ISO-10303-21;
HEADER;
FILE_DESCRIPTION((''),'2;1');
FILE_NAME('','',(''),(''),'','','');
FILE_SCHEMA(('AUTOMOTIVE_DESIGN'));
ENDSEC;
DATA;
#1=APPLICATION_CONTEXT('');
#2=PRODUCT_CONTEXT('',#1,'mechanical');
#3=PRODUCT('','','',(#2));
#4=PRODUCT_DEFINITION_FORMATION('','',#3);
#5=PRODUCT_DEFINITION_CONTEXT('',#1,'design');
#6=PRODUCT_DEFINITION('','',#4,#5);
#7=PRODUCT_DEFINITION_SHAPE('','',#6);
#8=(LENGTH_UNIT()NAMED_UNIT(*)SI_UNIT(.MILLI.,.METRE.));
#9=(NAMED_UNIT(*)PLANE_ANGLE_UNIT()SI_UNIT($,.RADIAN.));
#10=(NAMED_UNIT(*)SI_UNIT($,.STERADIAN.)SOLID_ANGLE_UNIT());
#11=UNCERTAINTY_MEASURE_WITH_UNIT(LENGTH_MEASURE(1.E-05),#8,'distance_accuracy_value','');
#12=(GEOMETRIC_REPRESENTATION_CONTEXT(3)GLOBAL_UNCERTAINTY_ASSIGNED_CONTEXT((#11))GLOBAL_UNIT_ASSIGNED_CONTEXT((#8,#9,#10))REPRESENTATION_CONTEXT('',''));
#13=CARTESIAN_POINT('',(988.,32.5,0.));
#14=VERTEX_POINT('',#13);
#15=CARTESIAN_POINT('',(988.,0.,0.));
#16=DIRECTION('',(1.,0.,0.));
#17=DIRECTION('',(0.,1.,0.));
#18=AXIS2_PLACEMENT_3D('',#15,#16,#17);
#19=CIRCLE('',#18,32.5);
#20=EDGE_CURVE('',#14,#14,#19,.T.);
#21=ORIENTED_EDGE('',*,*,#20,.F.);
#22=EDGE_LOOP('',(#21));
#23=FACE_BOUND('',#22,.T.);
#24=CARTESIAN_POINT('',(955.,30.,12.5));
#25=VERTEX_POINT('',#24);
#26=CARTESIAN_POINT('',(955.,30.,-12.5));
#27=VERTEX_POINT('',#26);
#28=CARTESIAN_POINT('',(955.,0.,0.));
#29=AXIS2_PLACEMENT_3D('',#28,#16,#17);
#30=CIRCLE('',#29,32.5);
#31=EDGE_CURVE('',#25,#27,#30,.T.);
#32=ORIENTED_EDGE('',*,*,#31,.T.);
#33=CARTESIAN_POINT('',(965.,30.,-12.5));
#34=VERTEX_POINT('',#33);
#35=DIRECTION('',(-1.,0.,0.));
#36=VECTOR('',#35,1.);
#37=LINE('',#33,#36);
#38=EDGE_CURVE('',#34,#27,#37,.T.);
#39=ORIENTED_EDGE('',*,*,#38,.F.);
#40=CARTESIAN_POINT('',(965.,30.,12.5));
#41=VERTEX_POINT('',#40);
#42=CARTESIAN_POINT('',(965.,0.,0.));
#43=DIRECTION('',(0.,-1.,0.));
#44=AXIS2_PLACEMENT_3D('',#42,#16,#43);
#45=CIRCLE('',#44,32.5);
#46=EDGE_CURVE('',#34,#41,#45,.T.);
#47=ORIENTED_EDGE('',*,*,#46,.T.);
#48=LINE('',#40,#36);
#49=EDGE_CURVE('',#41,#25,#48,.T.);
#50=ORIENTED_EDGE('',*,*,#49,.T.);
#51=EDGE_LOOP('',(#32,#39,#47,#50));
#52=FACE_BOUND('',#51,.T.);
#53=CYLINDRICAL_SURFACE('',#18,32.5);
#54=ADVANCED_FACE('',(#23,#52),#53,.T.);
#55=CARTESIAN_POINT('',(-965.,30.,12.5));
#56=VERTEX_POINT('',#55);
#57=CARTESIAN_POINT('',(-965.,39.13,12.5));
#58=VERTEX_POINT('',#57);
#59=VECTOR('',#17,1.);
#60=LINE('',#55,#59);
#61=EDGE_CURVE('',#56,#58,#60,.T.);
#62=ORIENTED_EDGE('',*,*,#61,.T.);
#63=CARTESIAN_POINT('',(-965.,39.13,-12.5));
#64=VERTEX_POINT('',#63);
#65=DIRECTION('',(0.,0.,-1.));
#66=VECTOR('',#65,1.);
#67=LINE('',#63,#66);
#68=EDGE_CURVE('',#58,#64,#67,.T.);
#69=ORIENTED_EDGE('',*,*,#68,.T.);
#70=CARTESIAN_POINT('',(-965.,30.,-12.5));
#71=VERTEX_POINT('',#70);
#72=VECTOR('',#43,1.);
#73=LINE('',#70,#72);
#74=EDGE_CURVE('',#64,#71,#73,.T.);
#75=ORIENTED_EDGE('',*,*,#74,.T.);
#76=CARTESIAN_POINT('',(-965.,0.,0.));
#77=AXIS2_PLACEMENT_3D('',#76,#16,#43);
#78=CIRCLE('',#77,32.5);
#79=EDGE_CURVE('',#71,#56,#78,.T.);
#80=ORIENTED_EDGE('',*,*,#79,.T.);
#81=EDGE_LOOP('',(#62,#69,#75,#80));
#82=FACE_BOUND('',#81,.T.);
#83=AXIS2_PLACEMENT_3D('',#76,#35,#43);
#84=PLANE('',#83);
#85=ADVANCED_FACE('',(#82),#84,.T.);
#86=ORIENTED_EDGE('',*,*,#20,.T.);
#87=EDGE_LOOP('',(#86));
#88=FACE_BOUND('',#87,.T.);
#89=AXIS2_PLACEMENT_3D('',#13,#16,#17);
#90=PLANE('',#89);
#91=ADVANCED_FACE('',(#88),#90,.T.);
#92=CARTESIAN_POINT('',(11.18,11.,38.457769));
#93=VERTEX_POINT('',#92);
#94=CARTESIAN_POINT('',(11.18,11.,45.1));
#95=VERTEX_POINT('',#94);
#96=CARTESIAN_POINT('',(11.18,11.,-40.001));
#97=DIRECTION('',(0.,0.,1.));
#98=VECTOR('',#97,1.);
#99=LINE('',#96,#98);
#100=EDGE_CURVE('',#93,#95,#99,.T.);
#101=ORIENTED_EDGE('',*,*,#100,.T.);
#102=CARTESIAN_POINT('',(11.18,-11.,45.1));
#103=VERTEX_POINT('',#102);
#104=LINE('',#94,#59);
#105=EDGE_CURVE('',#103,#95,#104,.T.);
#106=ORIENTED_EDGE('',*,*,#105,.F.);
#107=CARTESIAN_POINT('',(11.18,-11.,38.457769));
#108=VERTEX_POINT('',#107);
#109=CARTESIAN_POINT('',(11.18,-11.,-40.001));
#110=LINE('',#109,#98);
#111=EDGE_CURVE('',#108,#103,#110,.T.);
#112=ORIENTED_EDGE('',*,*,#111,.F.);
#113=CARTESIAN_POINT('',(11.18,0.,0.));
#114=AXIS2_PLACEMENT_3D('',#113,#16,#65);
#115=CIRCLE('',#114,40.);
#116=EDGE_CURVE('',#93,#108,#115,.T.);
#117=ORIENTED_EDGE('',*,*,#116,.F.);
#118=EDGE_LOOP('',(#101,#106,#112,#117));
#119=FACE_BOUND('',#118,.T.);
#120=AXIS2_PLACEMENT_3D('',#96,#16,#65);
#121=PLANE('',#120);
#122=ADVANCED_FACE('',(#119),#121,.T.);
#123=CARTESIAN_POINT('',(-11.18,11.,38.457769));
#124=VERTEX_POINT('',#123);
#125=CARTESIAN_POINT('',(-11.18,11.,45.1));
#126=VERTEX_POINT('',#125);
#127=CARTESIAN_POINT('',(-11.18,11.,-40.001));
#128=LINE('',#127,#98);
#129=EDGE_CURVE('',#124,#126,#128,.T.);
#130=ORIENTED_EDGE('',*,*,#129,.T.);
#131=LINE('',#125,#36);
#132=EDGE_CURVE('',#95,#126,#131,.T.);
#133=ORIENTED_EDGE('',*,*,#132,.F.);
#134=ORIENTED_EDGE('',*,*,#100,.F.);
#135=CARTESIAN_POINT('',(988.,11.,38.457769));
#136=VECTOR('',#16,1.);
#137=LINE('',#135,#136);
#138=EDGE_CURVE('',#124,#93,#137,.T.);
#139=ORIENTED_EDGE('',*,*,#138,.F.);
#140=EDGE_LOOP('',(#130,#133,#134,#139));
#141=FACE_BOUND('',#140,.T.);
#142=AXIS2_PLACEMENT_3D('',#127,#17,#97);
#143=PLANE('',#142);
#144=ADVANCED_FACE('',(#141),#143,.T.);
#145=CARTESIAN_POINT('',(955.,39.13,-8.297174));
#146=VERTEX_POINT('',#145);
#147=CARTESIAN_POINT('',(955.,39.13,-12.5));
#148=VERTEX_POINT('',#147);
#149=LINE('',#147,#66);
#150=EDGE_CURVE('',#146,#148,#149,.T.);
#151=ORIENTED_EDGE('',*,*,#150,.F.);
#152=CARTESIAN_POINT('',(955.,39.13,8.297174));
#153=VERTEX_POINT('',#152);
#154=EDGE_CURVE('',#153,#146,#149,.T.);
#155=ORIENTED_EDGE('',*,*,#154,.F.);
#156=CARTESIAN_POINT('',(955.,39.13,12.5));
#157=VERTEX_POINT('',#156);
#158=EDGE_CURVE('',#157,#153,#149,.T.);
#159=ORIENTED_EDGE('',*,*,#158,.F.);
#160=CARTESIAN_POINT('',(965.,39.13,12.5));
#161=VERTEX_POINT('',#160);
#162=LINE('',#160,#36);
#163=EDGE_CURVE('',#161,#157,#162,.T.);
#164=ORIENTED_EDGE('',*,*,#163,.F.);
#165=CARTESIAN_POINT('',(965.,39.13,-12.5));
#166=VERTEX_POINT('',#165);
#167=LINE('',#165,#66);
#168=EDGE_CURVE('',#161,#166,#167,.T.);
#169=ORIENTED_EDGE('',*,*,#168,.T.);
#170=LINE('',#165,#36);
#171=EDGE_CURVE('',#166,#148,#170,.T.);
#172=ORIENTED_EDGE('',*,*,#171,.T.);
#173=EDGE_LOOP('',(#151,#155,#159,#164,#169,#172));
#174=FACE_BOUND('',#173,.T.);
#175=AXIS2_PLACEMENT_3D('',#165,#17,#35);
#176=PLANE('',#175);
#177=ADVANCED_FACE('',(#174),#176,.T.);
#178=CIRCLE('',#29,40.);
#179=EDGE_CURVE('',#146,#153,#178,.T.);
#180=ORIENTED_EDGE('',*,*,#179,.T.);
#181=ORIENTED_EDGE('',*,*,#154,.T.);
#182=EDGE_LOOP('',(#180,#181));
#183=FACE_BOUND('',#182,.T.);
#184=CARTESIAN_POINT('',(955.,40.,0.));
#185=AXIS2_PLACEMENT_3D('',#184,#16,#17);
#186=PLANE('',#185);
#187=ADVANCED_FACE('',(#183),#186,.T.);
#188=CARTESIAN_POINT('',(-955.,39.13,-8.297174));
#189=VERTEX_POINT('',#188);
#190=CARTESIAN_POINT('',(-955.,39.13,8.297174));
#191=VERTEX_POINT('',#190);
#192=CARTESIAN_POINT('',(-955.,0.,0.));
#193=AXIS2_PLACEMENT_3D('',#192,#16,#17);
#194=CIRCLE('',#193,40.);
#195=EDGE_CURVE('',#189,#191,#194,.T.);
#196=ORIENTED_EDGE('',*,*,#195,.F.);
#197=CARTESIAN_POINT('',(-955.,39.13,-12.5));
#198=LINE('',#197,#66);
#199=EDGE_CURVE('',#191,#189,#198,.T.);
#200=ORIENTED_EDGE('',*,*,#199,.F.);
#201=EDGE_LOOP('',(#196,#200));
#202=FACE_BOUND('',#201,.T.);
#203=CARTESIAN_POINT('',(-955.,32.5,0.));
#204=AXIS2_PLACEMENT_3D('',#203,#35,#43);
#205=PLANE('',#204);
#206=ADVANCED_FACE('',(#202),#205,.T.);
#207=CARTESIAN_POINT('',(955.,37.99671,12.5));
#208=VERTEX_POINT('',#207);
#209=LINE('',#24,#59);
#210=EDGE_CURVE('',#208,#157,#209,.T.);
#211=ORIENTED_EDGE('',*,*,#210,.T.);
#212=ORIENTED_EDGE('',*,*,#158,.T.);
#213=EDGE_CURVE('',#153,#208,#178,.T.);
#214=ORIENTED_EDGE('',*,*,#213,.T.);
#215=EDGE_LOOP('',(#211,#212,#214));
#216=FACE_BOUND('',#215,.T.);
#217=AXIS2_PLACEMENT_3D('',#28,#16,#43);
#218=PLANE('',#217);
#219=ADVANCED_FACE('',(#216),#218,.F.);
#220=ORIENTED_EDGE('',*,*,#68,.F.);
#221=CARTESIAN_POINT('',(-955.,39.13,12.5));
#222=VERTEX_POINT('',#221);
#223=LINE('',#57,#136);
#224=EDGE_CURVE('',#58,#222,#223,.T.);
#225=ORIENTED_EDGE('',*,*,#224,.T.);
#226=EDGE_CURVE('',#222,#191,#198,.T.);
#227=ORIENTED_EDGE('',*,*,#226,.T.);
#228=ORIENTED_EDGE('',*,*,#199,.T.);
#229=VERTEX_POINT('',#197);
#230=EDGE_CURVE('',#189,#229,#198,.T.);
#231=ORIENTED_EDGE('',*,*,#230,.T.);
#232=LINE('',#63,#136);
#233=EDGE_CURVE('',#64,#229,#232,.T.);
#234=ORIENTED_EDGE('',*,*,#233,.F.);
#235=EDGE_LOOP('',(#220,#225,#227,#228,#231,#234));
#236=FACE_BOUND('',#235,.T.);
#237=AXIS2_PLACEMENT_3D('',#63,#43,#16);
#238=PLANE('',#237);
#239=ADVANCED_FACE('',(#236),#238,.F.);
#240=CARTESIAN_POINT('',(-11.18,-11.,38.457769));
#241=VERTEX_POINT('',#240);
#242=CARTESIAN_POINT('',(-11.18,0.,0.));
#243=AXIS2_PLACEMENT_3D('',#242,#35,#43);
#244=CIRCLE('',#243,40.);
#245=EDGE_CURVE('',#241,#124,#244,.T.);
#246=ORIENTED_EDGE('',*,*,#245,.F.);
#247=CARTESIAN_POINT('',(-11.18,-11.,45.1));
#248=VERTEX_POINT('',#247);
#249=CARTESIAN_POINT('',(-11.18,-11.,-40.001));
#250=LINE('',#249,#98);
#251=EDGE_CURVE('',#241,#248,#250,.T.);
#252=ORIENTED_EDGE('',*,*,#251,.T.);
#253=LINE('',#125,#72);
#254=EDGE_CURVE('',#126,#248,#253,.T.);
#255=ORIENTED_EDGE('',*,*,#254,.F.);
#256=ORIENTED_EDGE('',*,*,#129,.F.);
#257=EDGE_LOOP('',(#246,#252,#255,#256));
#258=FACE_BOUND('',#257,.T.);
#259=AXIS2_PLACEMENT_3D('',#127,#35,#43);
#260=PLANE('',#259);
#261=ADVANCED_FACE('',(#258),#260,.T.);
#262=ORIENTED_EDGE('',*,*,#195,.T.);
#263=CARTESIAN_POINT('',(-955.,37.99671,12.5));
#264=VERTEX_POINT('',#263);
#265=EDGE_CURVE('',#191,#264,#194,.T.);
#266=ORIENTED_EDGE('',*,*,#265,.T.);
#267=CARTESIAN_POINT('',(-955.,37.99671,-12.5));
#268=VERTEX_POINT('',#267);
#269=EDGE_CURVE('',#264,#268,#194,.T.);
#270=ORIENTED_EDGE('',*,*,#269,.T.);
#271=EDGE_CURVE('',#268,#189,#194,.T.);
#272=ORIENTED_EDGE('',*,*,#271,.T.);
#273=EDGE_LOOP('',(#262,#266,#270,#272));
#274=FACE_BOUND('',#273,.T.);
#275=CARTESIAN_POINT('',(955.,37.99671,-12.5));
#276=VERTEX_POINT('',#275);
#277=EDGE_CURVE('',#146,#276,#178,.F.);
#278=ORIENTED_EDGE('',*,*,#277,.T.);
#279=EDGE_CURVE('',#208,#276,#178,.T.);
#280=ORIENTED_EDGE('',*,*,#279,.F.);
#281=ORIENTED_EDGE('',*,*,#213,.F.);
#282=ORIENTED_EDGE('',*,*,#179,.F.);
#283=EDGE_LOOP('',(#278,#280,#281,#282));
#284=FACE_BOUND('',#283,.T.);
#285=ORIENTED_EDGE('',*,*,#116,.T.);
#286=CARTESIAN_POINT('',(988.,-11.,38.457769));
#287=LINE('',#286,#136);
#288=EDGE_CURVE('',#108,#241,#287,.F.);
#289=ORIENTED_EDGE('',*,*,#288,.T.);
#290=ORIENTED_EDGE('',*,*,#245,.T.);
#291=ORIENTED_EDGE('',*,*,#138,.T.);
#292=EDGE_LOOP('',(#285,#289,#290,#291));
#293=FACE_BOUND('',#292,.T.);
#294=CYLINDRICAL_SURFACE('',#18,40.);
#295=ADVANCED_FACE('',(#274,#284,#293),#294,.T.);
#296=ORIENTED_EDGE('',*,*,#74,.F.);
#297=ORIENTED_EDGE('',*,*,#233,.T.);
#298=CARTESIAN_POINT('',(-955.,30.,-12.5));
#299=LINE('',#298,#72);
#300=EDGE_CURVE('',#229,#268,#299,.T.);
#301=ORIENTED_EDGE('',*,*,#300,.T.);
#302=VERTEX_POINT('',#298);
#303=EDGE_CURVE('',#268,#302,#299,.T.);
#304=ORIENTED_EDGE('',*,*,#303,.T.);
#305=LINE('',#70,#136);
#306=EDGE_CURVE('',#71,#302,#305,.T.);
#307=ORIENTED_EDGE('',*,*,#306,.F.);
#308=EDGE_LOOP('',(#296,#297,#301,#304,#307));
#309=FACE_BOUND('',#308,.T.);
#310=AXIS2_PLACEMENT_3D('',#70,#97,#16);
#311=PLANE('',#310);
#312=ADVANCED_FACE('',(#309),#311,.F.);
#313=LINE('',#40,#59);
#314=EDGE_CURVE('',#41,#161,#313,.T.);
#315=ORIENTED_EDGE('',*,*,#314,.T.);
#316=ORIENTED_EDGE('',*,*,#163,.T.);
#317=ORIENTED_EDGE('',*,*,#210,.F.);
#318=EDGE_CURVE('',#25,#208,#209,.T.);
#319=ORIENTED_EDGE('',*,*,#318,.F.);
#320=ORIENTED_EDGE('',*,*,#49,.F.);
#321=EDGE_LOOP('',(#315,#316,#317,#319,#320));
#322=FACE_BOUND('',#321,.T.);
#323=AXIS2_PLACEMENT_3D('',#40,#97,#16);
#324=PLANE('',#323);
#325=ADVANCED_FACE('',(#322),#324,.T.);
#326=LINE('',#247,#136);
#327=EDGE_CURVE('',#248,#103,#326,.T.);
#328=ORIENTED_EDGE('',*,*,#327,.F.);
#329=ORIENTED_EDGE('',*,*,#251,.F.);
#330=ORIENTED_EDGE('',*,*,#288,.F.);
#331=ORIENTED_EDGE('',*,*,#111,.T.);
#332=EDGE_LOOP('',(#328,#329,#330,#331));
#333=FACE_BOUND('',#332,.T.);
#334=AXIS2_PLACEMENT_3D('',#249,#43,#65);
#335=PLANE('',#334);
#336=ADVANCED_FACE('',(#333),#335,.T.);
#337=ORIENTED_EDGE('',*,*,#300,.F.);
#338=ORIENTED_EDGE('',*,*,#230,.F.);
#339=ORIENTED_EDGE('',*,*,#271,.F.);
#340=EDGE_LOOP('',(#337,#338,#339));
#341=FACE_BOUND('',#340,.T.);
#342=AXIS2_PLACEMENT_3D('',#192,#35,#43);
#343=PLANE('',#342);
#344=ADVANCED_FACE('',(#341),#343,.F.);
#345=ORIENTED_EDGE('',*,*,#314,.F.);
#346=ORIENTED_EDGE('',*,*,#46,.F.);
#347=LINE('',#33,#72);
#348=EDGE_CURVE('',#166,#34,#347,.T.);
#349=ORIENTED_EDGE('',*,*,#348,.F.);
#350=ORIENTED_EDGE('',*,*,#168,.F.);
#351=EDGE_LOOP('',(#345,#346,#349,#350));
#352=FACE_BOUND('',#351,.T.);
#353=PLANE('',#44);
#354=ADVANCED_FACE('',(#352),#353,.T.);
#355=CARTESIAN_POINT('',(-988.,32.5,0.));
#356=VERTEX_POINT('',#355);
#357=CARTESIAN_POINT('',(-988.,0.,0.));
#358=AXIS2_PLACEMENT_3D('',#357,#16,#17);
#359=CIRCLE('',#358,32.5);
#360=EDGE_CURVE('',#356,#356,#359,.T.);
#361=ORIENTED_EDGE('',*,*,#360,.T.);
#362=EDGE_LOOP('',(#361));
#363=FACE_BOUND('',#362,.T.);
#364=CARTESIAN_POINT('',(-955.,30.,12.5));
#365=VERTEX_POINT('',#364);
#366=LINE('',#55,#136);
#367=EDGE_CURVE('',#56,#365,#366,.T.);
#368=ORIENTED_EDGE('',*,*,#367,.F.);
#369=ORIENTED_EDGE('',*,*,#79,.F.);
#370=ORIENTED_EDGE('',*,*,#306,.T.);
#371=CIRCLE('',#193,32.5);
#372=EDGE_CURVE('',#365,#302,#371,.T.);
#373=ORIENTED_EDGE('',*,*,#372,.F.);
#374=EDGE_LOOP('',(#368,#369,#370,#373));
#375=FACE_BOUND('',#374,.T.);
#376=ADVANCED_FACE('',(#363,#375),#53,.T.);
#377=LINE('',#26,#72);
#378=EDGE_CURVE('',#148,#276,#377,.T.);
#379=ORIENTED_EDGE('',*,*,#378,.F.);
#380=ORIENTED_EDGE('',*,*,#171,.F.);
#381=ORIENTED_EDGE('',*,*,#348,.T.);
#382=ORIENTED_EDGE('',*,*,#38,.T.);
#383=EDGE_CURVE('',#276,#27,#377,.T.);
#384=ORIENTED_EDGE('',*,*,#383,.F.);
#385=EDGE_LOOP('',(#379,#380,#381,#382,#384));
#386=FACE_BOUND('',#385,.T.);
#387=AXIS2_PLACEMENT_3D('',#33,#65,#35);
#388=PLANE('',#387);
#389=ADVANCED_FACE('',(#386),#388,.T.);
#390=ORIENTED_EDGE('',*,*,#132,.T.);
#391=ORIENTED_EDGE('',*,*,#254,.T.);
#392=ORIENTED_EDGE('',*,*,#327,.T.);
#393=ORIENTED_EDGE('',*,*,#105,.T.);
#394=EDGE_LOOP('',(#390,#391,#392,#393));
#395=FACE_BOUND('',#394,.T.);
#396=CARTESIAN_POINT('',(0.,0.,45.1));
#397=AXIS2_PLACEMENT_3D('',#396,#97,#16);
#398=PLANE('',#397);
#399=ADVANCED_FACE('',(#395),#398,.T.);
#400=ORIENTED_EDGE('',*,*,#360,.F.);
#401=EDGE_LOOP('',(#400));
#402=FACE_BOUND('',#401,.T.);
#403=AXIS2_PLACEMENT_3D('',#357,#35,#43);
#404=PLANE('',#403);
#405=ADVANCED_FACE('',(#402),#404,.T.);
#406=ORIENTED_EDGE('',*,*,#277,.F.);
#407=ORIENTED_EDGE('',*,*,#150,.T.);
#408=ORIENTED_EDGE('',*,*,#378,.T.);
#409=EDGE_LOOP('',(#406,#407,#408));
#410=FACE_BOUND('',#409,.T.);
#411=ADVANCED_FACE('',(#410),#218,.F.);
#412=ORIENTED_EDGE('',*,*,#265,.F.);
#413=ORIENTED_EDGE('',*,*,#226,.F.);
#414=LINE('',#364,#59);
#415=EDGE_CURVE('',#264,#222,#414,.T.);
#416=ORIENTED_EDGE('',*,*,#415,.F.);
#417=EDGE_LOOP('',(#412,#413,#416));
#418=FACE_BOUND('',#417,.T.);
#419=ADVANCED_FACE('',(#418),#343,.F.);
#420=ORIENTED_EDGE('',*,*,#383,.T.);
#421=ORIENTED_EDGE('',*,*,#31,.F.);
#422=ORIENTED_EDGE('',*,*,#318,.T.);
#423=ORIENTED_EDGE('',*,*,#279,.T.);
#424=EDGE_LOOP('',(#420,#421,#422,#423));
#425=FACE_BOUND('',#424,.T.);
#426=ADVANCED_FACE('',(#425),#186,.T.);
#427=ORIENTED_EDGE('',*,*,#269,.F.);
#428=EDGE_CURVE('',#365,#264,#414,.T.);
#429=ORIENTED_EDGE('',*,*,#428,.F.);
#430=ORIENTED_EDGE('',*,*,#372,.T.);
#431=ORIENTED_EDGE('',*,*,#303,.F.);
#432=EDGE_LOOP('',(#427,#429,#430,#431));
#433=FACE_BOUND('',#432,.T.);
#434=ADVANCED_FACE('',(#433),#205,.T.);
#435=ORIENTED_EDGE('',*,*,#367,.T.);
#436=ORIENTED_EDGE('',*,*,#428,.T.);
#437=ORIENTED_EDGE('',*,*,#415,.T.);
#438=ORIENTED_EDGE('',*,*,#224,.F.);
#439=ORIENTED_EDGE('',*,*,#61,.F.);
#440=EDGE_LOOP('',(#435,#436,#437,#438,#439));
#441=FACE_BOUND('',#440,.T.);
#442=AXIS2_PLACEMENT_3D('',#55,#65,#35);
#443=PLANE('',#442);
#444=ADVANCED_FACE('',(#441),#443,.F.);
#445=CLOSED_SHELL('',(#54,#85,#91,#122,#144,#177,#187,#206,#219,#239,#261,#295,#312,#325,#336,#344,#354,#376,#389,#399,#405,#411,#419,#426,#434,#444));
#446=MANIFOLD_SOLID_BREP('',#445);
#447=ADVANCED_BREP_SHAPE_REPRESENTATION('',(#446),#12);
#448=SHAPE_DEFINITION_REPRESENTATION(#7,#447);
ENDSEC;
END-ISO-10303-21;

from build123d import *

# Parameters (mm, degrees)
BOSS_EXTRUDE1_REACH      = 994.465
BOSS_EXTRUDE1_END_RADIUS = 40
SKETCH4_W                = 22.36
SKETCH4_H                = 22
BOSS_EXTRUDE2_DEPTH      = 10


with BuildPart() as part:
    # Sketch1 → Revolve1 (revolve)
    with BuildSketch(Plane.XY):
        Polygon((-988, 0), (-988, 32.5), (-955, 32.5), (-955, 40), (955, 40), (955, 32.5), (988, 32.5), (988, 0), align=None)
    revolve(axis=Axis((988, 0, 0), (-1, 0, 0)))

    # Boss-Extrude1: up to this cylinder (the profile starts outside it)
    boss_extrude1_end = Plane(origin=(0, 0, 0), z_dir=(1, 0, 0)) * Cylinder(BOSS_EXTRUDE1_END_RADIUS, 2069.93, mode=Mode.PRIVATE)
    # Sketch4 → Boss-Extrude1 (add, up to the surface)
    with BuildSketch(Plane.XY.offset(45.1), mode=Mode.PRIVATE) as boss_extrude1_sk1:
        Rectangle(SKETCH4_W, SKETCH4_H)
    boss_extrude1_tool1 = extrude(boss_extrude1_sk1.sketch, amount=-BOSS_EXTRUDE1_REACH, mode=Mode.PRIVATE) - boss_extrude1_end
    add(boss_extrude1_tool1.solids().sort_by_distance((0, 0, 45.1))[0])

    # Sketch5 → Boss-Extrude2 (add)
    with BuildSketch(Plane.ZY.offset(955)):
        with BuildLine():
            Line((-12.5, 30), (-12.5, 39.13))
            Line((-12.5, 39.13), (12.5, 39.13))
            Line((12.5, 39.13), (12.5, 30))
            ThreePointArc((12.5, 30), (0, 32.5), (-12.5, 30))
        make_face()
    boss_extrude2 = extrude(amount=BOSS_EXTRUDE2_DEPTH)

    # Mirror1: Boss-Extrude2 across plane
    add(boss_extrude2.mirror(Plane.ZY))


solid = part.part
